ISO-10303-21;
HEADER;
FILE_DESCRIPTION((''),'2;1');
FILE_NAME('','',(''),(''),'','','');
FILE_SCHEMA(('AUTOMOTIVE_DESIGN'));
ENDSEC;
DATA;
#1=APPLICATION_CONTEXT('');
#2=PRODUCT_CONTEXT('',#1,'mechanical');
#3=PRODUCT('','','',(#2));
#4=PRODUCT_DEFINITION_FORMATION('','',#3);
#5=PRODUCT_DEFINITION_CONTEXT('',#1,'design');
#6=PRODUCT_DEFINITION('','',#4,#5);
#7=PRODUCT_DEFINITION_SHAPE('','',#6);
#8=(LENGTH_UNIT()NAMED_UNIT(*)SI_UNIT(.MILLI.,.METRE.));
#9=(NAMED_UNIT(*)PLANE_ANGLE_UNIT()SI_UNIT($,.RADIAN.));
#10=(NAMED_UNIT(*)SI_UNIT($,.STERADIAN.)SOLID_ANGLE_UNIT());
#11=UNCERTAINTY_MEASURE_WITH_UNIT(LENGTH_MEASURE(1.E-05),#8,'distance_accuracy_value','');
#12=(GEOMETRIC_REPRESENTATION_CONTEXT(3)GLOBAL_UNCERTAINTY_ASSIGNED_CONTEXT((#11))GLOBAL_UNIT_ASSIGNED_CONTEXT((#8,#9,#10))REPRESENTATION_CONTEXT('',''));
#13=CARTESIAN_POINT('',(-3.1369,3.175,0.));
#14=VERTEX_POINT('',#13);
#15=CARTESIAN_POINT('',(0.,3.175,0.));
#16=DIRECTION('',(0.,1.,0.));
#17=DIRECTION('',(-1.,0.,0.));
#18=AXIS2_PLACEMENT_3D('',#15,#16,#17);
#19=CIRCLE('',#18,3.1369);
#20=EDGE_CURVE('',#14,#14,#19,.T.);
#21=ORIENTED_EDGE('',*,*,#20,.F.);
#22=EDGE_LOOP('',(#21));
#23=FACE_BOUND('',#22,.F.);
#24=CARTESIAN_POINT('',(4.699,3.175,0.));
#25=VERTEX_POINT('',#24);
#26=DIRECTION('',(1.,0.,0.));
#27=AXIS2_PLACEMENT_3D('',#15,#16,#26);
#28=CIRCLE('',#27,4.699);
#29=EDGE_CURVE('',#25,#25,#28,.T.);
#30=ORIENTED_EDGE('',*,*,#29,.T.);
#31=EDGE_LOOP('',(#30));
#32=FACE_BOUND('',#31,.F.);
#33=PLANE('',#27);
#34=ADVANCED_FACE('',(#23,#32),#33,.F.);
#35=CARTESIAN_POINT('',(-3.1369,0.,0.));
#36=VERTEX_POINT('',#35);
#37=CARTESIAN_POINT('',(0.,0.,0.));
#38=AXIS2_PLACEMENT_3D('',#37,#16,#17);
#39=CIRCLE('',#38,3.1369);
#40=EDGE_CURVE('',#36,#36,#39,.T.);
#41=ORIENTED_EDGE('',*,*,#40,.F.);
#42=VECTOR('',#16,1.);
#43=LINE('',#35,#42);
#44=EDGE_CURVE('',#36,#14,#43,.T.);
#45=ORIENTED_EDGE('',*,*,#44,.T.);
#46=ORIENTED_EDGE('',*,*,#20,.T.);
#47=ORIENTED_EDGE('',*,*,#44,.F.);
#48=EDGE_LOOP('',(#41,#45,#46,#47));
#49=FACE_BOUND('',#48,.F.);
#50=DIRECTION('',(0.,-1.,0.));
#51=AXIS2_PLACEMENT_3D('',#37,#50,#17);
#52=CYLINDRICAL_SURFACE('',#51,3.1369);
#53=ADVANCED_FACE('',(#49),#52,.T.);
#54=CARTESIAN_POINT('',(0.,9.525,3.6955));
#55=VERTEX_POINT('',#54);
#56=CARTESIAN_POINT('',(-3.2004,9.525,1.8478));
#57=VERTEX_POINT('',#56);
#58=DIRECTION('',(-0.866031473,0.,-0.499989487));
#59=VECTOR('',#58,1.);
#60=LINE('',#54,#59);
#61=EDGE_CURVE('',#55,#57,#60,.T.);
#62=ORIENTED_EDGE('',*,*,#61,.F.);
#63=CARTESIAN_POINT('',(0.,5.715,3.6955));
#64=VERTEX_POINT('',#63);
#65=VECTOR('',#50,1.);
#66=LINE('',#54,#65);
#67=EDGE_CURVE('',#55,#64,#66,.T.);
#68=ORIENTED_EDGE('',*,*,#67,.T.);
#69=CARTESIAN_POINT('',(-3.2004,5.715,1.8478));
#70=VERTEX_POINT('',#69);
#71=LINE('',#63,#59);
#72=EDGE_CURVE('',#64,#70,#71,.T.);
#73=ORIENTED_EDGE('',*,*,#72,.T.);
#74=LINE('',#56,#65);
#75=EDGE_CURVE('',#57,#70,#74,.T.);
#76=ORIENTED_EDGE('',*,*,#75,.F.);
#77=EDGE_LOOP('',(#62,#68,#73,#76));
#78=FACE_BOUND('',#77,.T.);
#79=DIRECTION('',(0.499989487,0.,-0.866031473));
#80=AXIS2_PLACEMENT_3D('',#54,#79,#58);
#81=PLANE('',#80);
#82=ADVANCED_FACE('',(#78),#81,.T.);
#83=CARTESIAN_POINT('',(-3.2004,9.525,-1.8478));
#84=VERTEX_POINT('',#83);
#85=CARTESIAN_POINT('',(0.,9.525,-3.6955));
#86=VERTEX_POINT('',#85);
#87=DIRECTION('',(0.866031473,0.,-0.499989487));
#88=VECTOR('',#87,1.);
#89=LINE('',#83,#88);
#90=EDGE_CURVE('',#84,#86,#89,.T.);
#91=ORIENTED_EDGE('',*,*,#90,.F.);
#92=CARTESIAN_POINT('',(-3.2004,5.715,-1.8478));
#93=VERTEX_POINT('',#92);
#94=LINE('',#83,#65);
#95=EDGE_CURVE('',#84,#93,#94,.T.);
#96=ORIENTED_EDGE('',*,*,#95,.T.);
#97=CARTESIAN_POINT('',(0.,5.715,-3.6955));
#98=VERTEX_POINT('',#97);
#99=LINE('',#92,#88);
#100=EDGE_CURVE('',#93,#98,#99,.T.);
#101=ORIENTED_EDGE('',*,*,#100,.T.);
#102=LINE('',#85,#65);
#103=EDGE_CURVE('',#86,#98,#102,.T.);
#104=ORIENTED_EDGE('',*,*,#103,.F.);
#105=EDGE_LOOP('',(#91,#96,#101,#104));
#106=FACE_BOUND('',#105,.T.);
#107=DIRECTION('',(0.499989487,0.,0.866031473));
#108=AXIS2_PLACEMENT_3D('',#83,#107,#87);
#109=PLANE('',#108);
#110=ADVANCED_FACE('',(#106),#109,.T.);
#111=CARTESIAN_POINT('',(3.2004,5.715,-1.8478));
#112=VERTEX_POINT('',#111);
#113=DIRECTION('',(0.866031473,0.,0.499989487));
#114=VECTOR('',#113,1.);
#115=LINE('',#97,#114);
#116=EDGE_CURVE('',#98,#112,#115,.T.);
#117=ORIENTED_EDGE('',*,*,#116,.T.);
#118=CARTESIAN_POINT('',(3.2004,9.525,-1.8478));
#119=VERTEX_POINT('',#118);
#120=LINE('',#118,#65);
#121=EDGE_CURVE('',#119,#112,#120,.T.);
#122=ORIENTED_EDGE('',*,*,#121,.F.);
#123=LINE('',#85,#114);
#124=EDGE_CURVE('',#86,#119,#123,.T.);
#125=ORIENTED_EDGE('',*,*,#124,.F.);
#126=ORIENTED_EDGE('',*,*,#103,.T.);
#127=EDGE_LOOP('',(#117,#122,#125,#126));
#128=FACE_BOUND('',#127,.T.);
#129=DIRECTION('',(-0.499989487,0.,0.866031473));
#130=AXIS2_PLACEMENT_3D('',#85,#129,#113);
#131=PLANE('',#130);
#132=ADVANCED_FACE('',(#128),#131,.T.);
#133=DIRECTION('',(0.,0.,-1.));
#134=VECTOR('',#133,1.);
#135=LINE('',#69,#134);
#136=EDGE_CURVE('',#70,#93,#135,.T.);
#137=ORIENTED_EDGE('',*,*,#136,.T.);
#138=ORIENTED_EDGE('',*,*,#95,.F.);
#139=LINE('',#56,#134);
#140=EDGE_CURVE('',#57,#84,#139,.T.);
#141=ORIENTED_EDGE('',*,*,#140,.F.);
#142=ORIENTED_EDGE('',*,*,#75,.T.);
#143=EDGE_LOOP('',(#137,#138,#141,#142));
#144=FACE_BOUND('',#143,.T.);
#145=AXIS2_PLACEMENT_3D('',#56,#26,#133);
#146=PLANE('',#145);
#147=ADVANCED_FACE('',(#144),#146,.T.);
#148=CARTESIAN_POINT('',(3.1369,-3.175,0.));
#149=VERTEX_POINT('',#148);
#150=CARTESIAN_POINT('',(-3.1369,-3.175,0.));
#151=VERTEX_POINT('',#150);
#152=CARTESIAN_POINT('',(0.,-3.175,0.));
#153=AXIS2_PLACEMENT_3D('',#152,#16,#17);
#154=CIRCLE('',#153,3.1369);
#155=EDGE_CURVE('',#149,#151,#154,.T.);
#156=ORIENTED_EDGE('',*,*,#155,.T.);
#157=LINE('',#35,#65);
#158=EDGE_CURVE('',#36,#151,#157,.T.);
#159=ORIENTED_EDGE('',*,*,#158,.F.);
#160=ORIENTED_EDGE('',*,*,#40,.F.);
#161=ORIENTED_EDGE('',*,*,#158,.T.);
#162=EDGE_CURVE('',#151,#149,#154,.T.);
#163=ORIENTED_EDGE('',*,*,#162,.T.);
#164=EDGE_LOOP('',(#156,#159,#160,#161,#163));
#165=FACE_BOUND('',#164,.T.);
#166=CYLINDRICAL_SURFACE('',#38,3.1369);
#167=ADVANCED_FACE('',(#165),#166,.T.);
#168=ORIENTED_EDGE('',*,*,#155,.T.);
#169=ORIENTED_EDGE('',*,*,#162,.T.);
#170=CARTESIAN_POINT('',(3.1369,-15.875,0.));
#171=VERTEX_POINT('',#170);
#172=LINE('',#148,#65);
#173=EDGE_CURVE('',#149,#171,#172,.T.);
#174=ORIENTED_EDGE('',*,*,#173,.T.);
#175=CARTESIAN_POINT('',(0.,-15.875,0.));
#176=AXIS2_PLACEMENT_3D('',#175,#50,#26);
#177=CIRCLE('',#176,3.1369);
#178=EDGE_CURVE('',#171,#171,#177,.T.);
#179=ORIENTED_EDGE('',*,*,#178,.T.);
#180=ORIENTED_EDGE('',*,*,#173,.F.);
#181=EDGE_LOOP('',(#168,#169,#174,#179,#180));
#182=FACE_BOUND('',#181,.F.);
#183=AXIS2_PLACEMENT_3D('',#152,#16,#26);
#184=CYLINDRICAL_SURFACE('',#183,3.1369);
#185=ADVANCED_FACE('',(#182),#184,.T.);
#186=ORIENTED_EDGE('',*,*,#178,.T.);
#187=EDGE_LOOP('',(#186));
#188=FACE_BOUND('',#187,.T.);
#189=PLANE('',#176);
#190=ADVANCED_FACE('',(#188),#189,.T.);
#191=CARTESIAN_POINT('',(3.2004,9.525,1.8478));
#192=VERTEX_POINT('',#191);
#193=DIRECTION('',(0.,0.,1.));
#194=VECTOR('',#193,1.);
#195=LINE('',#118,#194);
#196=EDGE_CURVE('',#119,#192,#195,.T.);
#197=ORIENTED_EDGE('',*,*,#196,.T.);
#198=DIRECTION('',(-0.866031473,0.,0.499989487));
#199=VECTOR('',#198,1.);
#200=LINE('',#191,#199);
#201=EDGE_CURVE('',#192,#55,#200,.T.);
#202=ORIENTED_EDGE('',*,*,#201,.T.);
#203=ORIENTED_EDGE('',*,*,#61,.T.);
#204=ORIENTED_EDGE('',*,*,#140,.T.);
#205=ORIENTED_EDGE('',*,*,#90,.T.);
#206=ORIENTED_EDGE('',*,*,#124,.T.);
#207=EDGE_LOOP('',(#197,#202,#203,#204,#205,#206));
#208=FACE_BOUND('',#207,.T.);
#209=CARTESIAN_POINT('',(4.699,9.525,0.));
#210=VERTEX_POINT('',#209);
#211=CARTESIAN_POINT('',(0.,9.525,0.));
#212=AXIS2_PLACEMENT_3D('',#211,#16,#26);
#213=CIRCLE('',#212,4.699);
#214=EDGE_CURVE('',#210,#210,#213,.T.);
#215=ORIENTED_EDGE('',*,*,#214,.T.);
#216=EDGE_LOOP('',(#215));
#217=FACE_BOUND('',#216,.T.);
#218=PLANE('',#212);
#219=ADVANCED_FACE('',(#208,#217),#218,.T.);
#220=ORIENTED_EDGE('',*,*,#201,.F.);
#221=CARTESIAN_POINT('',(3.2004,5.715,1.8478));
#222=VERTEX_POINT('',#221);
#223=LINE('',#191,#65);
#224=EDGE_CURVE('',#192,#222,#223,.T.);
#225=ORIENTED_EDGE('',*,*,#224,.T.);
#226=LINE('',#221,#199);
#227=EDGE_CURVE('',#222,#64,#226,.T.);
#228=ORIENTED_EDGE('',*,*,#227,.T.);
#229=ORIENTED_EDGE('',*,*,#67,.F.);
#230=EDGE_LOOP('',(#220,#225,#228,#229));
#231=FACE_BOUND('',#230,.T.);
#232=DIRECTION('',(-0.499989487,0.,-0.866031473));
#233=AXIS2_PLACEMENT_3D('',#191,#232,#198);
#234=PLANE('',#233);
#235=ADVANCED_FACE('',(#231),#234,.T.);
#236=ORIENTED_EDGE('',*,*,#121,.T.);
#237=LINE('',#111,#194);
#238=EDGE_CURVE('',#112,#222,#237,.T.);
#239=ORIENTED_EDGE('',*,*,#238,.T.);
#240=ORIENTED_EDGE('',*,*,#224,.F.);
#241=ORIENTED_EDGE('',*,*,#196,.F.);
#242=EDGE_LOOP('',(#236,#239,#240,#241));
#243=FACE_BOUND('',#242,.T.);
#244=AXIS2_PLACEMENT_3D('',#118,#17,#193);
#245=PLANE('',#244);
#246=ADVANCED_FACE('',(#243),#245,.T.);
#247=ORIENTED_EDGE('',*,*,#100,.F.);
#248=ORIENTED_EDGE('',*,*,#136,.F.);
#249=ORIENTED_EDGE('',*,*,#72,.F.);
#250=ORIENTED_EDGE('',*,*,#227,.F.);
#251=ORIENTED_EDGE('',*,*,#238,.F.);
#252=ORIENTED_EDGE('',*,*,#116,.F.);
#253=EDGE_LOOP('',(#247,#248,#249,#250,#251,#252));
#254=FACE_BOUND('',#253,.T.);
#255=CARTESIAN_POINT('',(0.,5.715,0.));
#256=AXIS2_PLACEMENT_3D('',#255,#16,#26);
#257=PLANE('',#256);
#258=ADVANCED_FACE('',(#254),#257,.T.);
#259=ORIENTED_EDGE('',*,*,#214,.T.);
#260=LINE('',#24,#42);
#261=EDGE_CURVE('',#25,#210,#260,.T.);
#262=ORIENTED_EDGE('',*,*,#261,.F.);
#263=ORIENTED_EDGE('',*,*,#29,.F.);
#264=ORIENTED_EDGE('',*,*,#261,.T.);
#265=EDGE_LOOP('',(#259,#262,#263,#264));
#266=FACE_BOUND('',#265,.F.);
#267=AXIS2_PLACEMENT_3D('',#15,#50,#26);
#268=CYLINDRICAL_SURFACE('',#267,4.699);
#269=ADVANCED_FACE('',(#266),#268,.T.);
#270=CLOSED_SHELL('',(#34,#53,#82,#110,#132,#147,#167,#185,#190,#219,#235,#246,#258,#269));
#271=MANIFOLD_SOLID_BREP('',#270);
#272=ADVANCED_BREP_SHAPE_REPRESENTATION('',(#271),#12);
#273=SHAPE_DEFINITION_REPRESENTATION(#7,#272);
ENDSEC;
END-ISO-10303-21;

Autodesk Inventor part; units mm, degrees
ref_plane "YZ Plane" through (0, 0, 0) normal (1, 0, 0) x (0, 1, 0)
ref_plane "XZ Plane" through (0, 0, 0) normal (0, 1, 0) x (-1, 0, 0)
ref_plane "XY Plane" through (0, 0, 0) normal (0, 0, 1) x (1, 0, 0)
sketch "Sketch1" plane through (0, 0, 0) normal (0, 1, 0) x (-1, 0, 0)
  circle A0 centre (0, 0) radius 3.1369
  dimension "d0" = 6.2738
extrude "Extrusion1" add sketch "Sketch1" along normal mid plane 6.35
sketch "Sketch2" plane through (0, 3.175, 0) normal (0, 1, 0) x (1, 0, 0)
  circle A0 centre (0, 0) radius 4.699
  dimension "d3" = 9.398
extrude "Extrusion2" add sketch "Sketch2" along normal blind 6.35
sketch "Sketch3" plane through (0, -3.175, 0) normal (0, -1, 0) x (1, 0, 0)
  circle A0 centre (0, 0) radius 3.1369
extrude "Extrusion3" add sketch "Sketch3" along normal blind 12.7
thread "Thread1" size "1/4-20 UNC" class "2A" standard "ANSI Unified Screw Threads" length 15.875
sketch "Sketch4" plane through (0, 9.525, 0) normal (0, 1, 0) x (1, 0, 0)
  line L0 (0, -3.6955) -> (-3.2004, -1.8478)
  line L1 (-3.2004, -1.8478) -> (-3.2004, 1.8478)
  line L2 (-3.2004, 1.8478) -> (0, 3.6955)
  line L3 (0, 3.6955) -> (3.2004, 1.8478)
  line L4 (3.2004, 1.8478) -> (3.2004, -1.8478)
  line L5 (3.2004, -1.8478) -> (0, -3.6955)
  point P0 (0, 0)
  point P1 (0, 0)
  dimension "d10" = 6.4008
extrude "Extrusion4" cut sketch "Sketch4" against normal blind 3.81
properties part number "Bolt 2.0" material "Steel, Galvanized"
